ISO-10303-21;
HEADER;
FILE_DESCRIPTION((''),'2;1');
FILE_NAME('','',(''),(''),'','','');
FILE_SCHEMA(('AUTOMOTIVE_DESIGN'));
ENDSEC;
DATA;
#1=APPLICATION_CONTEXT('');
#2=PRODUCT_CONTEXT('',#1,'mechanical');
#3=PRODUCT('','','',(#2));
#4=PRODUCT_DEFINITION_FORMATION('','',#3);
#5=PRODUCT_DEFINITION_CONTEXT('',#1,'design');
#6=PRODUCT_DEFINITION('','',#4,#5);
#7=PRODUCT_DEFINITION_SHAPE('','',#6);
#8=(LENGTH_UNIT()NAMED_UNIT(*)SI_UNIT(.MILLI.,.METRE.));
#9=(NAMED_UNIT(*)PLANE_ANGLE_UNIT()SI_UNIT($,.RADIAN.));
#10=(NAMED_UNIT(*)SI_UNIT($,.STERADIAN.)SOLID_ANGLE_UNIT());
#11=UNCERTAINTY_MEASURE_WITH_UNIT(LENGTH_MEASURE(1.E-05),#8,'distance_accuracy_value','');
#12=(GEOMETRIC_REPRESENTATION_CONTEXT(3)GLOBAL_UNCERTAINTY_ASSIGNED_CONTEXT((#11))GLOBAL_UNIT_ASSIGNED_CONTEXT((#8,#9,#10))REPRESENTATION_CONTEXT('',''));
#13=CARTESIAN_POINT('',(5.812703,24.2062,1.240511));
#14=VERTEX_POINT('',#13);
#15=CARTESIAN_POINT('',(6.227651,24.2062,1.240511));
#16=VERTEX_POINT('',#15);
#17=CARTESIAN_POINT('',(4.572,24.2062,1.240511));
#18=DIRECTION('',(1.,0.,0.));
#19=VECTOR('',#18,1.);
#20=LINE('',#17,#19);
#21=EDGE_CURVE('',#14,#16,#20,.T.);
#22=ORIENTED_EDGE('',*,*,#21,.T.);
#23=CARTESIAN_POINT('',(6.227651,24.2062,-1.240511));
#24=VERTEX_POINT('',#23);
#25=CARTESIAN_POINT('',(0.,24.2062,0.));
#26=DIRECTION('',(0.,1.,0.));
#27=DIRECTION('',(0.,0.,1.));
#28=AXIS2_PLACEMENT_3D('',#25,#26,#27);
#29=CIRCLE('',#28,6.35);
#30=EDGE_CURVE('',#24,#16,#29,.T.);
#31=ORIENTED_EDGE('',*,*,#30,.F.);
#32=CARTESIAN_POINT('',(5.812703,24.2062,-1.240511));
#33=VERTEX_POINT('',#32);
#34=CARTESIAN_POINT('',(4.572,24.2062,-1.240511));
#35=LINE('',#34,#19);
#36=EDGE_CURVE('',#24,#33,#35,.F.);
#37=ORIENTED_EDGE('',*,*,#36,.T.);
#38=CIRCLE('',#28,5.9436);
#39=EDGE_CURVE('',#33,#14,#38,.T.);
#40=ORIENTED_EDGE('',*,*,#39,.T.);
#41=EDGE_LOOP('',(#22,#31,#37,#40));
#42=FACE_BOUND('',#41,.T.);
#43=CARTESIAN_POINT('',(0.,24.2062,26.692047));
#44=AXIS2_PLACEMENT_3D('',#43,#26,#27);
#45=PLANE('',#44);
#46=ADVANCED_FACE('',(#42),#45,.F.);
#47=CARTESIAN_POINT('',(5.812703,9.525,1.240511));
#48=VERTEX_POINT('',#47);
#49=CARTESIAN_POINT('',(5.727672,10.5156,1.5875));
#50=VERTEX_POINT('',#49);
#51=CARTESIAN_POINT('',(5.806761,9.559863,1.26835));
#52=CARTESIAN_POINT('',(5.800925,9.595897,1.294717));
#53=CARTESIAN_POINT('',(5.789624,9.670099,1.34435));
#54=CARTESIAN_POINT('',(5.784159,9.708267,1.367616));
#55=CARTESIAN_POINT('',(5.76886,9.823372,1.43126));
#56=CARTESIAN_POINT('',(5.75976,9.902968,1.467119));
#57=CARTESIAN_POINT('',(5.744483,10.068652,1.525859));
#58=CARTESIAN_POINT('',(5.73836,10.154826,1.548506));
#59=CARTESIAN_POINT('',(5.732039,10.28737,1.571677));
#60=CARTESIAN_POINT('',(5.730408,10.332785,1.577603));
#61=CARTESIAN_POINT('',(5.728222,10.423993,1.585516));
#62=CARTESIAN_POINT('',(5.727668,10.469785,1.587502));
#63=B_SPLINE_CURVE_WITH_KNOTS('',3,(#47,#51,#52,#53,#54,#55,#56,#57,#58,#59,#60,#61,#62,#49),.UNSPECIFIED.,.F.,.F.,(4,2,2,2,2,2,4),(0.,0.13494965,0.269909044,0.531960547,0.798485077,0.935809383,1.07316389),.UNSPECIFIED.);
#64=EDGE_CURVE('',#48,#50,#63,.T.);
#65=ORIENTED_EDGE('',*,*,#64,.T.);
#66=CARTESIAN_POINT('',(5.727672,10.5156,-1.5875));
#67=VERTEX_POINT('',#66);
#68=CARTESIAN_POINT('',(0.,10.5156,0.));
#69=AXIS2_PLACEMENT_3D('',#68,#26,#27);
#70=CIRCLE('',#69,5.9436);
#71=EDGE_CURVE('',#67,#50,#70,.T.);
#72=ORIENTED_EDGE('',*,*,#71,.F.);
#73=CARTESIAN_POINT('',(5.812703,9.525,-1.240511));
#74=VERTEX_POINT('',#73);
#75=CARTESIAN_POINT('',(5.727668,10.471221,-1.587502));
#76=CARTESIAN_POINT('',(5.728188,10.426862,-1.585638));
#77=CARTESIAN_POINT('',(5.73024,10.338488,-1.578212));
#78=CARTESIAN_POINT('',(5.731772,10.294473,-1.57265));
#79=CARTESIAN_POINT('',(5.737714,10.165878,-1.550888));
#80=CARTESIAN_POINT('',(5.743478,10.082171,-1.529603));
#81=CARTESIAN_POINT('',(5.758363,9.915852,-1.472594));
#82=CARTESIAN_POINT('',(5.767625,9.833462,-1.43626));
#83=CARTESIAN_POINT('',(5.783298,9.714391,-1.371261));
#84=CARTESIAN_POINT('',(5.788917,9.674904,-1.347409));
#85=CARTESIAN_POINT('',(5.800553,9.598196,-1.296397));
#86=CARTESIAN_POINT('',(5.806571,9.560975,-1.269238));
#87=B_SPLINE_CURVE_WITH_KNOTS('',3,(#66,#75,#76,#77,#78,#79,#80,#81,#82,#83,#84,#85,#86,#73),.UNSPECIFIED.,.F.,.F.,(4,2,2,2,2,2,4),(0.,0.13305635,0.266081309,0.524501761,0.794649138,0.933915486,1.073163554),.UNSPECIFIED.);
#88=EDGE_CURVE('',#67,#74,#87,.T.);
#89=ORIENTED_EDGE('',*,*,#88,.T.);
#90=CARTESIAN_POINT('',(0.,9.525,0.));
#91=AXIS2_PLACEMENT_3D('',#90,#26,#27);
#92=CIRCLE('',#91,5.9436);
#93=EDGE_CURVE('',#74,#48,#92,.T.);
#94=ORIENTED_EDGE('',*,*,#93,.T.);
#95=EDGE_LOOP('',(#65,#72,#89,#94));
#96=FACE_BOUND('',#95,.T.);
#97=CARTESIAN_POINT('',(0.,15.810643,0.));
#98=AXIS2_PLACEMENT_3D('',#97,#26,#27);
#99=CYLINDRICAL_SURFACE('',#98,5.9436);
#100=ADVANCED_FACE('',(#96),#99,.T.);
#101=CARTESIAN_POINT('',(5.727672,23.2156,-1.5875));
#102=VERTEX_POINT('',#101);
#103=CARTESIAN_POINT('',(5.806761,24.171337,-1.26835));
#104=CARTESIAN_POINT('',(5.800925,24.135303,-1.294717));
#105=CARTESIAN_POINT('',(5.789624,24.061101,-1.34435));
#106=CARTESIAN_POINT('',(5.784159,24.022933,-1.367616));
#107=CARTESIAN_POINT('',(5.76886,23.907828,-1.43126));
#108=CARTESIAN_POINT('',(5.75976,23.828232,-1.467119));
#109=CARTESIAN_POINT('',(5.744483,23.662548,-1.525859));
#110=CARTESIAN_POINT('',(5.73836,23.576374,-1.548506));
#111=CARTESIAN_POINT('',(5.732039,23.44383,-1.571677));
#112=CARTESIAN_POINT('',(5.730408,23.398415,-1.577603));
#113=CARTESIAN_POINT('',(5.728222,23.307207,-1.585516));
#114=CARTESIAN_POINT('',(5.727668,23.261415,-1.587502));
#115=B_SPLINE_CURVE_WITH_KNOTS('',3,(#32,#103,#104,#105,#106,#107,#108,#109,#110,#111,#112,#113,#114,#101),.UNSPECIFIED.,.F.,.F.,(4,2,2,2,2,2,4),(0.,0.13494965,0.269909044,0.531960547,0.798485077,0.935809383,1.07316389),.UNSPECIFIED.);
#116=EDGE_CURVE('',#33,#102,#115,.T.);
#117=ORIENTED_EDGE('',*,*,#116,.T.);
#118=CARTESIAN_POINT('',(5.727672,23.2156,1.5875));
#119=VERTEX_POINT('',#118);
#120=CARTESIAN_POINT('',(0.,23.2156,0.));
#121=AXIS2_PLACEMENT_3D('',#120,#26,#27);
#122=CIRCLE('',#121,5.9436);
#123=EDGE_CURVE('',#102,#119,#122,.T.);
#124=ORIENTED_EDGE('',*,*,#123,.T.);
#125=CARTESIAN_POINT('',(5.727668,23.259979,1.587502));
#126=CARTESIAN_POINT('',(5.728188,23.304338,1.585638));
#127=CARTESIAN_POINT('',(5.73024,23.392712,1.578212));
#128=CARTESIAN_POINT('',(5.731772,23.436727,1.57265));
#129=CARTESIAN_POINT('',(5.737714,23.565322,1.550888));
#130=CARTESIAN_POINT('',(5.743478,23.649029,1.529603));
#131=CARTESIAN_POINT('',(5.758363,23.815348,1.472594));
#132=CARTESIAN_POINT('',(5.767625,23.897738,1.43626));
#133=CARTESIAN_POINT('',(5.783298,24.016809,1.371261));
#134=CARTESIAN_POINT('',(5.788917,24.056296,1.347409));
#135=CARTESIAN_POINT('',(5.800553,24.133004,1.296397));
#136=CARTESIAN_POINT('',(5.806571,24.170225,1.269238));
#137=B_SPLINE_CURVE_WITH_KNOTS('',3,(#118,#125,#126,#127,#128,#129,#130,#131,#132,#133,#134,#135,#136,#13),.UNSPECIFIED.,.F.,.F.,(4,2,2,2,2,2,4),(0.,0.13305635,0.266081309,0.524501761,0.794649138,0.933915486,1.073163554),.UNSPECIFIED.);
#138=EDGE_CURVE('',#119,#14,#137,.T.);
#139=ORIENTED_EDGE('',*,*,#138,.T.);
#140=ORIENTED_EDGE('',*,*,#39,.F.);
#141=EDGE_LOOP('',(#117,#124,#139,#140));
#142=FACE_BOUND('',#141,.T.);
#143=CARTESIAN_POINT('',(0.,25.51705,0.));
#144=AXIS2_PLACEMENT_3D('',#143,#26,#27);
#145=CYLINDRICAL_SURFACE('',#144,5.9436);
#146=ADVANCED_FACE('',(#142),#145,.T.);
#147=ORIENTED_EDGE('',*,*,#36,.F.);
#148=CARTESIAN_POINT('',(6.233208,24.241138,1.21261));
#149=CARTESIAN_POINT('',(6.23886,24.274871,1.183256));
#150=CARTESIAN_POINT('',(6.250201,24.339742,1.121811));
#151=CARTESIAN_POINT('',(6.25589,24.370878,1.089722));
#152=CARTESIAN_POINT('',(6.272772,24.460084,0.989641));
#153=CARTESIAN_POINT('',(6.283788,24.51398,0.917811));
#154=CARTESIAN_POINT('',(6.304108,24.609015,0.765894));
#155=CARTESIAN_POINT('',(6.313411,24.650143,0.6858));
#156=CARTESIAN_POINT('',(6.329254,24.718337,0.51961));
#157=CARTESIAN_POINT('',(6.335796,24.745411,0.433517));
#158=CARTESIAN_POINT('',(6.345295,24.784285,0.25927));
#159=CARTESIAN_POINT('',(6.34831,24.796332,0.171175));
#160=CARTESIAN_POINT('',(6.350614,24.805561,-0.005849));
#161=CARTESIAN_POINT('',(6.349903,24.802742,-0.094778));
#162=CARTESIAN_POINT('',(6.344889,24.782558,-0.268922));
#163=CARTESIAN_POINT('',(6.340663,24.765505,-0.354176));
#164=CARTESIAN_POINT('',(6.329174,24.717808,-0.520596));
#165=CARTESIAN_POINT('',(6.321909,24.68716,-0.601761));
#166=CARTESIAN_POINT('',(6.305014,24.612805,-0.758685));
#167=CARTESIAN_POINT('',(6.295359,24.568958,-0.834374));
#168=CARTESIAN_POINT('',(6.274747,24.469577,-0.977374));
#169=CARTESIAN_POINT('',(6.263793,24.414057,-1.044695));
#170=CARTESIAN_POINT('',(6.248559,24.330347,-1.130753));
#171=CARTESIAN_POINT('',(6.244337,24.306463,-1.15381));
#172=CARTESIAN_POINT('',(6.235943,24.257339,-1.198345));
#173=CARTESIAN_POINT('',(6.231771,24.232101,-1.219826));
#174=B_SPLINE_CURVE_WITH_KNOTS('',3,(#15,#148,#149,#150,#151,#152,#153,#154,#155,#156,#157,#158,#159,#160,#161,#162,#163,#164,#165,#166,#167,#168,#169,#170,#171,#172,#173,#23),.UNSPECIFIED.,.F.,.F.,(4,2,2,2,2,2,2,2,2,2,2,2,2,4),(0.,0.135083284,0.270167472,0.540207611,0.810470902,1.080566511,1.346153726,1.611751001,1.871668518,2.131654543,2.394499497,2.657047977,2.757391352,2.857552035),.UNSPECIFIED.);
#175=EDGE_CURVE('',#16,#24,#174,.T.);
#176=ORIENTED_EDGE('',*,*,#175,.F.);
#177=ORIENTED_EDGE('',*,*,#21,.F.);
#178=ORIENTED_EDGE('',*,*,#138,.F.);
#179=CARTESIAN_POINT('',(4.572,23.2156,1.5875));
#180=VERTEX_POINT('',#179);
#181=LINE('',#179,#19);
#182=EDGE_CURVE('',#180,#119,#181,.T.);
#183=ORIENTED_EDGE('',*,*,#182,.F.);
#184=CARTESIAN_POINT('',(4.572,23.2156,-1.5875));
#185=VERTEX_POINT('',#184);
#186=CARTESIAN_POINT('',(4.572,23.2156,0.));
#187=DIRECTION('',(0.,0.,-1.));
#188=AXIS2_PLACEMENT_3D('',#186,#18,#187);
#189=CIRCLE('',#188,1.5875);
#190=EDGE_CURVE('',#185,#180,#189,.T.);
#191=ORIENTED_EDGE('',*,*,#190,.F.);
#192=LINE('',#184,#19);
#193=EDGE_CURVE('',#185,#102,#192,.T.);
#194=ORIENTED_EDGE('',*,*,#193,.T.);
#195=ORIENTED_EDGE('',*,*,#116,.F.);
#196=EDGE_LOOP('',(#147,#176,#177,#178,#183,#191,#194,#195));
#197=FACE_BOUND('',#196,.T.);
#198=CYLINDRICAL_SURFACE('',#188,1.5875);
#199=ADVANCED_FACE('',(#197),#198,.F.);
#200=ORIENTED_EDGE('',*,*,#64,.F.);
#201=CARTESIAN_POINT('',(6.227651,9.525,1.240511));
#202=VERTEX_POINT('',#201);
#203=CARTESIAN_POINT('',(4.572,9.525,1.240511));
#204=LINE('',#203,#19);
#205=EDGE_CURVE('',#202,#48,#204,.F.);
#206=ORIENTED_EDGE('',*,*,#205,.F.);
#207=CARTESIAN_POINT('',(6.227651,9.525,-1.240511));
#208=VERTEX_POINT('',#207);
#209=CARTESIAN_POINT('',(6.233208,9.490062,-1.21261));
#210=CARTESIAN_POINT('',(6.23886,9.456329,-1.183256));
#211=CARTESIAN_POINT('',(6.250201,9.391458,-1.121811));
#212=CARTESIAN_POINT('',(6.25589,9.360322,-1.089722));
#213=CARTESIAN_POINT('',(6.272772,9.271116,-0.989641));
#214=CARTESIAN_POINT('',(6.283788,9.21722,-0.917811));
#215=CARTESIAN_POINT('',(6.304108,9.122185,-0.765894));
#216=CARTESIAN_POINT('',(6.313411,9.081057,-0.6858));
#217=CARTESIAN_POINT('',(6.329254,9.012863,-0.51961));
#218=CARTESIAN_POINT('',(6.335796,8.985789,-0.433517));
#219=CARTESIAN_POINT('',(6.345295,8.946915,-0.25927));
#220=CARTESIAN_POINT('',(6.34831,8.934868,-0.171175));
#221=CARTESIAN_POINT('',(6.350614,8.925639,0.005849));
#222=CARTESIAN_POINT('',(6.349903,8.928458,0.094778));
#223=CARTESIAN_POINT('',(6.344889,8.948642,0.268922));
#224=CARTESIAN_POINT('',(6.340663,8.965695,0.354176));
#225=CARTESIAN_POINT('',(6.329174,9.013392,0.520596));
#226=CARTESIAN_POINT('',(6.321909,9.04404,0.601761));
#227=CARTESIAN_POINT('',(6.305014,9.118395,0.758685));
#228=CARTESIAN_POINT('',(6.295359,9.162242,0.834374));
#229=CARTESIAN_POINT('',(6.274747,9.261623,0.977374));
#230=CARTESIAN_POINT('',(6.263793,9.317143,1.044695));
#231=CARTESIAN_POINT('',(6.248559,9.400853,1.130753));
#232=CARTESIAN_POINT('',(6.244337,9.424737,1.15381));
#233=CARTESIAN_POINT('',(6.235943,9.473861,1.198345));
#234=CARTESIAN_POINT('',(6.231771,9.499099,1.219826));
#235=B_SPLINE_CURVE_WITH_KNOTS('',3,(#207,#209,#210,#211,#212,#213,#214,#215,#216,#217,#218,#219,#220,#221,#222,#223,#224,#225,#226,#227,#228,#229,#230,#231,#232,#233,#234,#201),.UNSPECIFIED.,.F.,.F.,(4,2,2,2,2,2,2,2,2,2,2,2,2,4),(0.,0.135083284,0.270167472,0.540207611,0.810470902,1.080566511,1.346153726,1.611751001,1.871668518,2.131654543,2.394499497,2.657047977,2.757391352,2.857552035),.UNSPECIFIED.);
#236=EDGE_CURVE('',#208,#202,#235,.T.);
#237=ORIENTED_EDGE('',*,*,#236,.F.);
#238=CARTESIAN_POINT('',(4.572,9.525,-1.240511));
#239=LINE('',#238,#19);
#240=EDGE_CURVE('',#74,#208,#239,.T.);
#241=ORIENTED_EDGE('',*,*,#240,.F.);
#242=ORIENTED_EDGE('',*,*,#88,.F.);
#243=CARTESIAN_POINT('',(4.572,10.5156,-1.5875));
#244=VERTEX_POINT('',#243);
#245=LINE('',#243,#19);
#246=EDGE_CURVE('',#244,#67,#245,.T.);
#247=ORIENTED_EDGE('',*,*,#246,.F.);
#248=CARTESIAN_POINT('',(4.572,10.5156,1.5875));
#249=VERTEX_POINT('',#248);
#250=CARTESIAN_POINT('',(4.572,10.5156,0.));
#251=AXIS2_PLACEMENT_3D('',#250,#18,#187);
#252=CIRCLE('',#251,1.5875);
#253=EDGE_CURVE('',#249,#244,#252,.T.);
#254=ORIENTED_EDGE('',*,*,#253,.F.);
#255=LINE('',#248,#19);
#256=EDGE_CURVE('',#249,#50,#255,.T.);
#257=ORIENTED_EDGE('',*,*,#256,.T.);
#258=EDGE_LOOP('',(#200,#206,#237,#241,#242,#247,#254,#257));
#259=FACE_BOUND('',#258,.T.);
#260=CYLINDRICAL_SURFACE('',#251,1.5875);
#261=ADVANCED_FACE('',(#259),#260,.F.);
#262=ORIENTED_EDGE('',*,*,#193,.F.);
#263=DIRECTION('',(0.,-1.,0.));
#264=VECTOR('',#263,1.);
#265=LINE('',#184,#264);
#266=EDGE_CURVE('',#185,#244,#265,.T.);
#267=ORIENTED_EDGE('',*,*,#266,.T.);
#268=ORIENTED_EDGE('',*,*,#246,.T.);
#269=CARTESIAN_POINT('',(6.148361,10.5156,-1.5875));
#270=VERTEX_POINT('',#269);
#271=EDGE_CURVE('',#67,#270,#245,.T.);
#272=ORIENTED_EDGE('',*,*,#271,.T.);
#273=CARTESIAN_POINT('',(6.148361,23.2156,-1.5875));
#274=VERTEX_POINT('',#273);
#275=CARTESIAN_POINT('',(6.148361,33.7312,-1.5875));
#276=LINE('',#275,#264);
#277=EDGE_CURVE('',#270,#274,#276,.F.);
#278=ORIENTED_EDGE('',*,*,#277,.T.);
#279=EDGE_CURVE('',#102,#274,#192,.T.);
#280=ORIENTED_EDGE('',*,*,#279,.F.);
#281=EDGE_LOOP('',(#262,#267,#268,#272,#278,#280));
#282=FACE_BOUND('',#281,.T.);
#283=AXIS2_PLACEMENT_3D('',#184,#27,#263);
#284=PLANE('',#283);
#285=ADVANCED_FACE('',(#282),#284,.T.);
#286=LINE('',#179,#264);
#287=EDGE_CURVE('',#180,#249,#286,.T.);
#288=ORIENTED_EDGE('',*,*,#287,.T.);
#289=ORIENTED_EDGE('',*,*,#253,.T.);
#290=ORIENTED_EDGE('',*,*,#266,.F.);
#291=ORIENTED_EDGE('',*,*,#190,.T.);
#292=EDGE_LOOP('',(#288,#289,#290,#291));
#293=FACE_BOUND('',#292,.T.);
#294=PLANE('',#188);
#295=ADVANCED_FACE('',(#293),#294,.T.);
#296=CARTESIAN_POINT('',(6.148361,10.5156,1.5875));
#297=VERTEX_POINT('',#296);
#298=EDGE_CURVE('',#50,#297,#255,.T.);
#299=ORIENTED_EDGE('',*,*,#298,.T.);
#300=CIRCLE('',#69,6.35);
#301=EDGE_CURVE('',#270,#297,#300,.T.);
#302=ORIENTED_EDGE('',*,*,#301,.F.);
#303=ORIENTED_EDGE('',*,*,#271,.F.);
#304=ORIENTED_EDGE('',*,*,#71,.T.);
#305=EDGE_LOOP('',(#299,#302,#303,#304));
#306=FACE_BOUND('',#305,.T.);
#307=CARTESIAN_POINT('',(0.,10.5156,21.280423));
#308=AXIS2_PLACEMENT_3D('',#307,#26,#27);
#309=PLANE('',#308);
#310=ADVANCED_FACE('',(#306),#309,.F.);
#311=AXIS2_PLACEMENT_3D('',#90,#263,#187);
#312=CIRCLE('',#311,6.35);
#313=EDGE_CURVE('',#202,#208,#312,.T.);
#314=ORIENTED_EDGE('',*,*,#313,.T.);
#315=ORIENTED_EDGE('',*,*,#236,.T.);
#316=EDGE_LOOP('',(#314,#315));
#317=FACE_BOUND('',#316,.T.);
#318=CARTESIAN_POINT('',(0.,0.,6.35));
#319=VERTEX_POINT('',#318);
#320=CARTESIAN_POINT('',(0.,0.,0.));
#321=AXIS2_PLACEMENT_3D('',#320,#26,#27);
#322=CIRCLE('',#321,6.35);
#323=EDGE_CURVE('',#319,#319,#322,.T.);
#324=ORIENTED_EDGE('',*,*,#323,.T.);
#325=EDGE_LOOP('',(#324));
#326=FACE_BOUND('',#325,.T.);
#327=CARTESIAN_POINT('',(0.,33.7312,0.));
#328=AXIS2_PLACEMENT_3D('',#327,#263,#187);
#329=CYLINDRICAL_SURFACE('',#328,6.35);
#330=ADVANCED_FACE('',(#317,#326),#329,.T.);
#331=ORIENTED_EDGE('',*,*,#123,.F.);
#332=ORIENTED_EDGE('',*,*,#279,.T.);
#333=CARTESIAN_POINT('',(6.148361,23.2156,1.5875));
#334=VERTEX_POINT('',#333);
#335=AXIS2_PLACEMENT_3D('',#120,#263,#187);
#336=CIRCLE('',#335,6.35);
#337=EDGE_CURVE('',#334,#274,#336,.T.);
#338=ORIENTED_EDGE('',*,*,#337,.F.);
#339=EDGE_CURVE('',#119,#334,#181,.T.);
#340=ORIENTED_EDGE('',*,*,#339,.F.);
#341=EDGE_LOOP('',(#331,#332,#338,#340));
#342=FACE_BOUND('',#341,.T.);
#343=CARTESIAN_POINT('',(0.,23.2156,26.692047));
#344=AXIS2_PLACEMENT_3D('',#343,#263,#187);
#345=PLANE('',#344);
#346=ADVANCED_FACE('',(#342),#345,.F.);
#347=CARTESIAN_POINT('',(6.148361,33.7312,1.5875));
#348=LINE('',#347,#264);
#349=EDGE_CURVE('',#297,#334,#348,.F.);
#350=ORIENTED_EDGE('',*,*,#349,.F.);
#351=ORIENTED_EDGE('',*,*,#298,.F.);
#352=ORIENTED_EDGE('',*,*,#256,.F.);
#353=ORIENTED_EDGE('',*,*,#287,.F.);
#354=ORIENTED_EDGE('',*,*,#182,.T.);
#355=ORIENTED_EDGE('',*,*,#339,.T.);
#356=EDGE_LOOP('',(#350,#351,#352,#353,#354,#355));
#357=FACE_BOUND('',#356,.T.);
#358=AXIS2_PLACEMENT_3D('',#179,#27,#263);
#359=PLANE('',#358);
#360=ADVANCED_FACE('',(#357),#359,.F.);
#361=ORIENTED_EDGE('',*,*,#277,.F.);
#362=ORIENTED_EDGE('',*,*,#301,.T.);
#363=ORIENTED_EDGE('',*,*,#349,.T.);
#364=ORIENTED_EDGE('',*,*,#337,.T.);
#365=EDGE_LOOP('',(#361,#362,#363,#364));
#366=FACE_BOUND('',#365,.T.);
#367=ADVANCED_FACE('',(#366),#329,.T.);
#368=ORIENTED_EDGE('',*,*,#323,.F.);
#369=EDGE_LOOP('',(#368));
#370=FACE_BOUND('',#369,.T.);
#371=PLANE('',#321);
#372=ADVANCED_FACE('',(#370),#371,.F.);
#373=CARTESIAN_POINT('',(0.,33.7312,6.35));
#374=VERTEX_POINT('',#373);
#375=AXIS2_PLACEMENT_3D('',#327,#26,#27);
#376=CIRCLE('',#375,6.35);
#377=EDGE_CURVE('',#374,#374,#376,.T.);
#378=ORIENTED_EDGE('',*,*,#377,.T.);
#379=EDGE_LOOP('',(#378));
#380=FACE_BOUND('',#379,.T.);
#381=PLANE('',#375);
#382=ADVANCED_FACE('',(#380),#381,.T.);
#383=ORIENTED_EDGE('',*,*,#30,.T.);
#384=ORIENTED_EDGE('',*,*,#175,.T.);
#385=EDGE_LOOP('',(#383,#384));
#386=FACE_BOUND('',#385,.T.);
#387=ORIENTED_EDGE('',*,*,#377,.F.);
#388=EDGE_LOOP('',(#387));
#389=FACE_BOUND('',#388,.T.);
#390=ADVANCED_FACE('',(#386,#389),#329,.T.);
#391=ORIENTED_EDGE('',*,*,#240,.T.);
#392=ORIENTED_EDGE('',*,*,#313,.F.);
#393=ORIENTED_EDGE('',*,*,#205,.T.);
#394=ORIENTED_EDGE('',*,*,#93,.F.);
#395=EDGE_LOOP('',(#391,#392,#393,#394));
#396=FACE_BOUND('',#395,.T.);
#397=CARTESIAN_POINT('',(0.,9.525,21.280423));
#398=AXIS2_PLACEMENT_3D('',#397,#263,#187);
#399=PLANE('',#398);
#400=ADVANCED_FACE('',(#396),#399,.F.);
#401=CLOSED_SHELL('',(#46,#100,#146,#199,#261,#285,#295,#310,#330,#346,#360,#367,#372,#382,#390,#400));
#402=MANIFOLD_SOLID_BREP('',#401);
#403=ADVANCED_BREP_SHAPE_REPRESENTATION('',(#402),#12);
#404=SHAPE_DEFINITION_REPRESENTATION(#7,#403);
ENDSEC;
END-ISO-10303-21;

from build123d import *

# Parameters (mm, degrees)
SKETCH1_R           = 6.35
BOSS_EXTRUDE1_DEPTH = 33.7312
SKETCH2_W           = 20.748446766
SKETCH2_H           = 0.9906
SKETCH3_W           = 15.336822943
SKETCH3_H           = 0.9906
CUT_EXTRUDE1_DEPTH  = 1.778


with BuildPart() as part:
    # Sketch1 → Boss-Extrude1 (new body)
    with BuildSketch(Plane(origin=(0, 0, 0), x_dir=(1, 0, 0), z_dir=(0, 1, 0))):
        Circle(SKETCH1_R)
    extrude(amount=BOSS_EXTRUDE1_DEPTH)

    # Sketch2 → Cut-Revolve1 (revolve, cut)
    with BuildSketch(Plane(origin=(0, 0, 0), x_dir=(0, 0, -1), z_dir=(1, 0, 0))):
        with Locations((-16.317823383, 23.7109)):
            Rectangle(SKETCH2_W, SKETCH2_H)
    revolve(axis=Axis((0, 25.517050234, 0), (0, -1, 0)), mode=Mode.SUBTRACT)

    # Sketch3 → Cut-Revolve2 (revolve, cut)
    with BuildSketch(Plane(origin=(0, 0, 0), x_dir=(0, 0, -1), z_dir=(1, 0, 0))):
        with Locations((-13.612011472, 10.0203)):
            Rectangle(SKETCH3_W, SKETCH3_H)
    revolve(axis=Axis((0, 15.810643297, 0), (0, -1, 0)), mode=Mode.SUBTRACT)

    # Sketch4 → Cut-Extrude1 (cut)
    with BuildSketch(Plane(origin=(6.35, 0, 0), x_dir=(0, 0, -1), z_dir=(1, 0, 0))):
        with BuildLine():
            Line((1.5875, 23.2156), (1.5875, 10.5156))
            ThreePointArc((1.5875, 10.5156), (0, 8.9281), (-1.5875, 10.5156))
            Line((-1.5875, 10.5156), (-1.5875, 23.2156))
            ThreePointArc((-1.5875, 23.2156), (0, 24.8031), (1.5875, 23.2156))
        make_face()
    extrude(amount=-CUT_EXTRUDE1_DEPTH, mode=Mode.SUBTRACT)


solid = part.part
